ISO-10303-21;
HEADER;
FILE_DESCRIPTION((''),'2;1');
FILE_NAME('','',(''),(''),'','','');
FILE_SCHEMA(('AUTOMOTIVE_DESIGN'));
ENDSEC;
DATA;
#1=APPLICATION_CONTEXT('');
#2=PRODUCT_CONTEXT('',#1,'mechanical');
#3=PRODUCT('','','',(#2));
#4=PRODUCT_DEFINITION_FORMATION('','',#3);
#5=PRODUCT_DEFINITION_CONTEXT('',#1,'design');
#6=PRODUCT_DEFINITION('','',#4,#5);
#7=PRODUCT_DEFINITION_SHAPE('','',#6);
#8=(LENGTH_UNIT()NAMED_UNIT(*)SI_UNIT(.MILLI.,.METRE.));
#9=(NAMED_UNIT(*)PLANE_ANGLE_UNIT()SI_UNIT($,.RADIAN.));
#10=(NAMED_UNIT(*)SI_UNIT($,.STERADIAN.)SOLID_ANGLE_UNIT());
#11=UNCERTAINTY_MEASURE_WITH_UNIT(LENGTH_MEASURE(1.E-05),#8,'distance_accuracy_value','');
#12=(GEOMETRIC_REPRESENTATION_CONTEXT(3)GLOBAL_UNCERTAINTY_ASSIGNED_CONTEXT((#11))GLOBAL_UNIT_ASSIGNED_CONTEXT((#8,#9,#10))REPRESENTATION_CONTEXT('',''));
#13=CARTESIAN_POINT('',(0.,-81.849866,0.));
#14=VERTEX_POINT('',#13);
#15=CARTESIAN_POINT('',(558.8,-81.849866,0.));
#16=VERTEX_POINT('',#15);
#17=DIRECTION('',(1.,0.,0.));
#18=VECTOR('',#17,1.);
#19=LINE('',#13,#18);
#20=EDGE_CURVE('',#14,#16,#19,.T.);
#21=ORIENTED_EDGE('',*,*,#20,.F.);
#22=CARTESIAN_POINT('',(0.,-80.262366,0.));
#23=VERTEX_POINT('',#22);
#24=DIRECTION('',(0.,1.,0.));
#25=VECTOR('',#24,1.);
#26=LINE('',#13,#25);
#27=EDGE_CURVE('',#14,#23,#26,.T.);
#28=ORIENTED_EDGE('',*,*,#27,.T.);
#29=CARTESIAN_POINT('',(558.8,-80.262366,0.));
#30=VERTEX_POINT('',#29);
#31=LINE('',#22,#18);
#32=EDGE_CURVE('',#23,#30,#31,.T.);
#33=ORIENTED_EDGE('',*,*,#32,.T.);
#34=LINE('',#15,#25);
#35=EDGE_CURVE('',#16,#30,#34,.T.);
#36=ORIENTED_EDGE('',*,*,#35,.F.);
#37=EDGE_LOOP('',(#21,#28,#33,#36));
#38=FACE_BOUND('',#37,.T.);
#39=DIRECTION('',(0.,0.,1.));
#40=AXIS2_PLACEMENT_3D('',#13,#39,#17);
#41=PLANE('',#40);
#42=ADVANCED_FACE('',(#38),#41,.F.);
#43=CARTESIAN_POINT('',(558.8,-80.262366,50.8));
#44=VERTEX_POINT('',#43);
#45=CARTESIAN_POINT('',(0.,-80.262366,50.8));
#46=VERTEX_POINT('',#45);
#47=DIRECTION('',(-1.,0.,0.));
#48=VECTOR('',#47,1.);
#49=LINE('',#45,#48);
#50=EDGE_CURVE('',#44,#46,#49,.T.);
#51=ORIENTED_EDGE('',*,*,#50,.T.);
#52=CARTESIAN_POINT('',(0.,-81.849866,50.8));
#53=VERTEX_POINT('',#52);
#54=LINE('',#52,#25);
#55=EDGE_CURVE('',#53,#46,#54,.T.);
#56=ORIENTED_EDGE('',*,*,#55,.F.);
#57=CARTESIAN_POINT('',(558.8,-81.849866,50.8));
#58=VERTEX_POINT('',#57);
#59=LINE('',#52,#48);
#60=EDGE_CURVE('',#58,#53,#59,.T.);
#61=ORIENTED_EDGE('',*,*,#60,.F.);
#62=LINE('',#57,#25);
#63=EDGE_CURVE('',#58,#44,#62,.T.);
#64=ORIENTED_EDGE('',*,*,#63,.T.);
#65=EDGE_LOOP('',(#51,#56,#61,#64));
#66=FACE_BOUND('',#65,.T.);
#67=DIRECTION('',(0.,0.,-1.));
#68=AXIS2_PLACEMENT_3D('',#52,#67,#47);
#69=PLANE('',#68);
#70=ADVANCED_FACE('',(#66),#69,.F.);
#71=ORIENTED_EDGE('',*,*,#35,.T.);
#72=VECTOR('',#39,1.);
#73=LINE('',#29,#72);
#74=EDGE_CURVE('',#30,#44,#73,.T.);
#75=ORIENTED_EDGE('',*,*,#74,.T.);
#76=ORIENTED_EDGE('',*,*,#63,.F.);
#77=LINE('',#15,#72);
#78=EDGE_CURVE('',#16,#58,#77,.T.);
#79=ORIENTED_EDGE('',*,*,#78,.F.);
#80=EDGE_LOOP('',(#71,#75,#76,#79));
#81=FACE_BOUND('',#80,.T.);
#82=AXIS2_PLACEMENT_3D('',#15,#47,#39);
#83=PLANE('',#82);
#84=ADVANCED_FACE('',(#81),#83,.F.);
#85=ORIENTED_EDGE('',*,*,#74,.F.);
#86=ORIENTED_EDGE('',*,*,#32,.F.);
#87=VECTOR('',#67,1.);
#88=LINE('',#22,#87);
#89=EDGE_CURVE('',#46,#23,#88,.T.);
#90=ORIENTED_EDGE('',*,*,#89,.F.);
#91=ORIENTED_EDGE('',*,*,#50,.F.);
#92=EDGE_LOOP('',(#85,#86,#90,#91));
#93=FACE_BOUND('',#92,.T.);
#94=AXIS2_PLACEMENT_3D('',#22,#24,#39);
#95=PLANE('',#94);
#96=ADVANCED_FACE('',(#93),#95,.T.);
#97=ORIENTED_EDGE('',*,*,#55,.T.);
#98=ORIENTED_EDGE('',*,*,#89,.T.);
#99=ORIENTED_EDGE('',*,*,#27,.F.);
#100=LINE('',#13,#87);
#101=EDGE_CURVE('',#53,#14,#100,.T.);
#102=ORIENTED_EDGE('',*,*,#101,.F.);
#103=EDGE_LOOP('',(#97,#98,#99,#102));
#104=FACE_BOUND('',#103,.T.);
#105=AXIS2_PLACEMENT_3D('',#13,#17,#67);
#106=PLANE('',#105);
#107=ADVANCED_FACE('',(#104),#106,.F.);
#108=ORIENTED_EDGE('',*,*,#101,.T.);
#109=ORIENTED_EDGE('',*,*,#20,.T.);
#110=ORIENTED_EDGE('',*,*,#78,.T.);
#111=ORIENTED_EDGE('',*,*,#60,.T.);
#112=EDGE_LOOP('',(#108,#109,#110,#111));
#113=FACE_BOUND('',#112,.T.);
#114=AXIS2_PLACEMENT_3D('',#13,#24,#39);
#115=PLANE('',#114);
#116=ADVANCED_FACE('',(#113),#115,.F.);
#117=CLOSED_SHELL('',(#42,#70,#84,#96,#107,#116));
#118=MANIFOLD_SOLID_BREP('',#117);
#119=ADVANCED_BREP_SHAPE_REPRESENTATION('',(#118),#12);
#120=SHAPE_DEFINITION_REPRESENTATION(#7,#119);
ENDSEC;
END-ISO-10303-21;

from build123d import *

# Parameters (mm, degrees)
SKETCH1_W           = 558.8
SKETCH1_H           = 50.8
BOSS_EXTRUDE1_DEPTH = 1.5875


with BuildPart() as part:
    # Sketch1 → Boss-Extrude1 (new body)
    with BuildSketch(Plane.XZ.offset(80.26236602)):
        with Locations((279.4, 25.4)):
            Rectangle(SKETCH1_W, SKETCH1_H)
    extrude(amount=BOSS_EXTRUDE1_DEPTH)


solid = part.part
